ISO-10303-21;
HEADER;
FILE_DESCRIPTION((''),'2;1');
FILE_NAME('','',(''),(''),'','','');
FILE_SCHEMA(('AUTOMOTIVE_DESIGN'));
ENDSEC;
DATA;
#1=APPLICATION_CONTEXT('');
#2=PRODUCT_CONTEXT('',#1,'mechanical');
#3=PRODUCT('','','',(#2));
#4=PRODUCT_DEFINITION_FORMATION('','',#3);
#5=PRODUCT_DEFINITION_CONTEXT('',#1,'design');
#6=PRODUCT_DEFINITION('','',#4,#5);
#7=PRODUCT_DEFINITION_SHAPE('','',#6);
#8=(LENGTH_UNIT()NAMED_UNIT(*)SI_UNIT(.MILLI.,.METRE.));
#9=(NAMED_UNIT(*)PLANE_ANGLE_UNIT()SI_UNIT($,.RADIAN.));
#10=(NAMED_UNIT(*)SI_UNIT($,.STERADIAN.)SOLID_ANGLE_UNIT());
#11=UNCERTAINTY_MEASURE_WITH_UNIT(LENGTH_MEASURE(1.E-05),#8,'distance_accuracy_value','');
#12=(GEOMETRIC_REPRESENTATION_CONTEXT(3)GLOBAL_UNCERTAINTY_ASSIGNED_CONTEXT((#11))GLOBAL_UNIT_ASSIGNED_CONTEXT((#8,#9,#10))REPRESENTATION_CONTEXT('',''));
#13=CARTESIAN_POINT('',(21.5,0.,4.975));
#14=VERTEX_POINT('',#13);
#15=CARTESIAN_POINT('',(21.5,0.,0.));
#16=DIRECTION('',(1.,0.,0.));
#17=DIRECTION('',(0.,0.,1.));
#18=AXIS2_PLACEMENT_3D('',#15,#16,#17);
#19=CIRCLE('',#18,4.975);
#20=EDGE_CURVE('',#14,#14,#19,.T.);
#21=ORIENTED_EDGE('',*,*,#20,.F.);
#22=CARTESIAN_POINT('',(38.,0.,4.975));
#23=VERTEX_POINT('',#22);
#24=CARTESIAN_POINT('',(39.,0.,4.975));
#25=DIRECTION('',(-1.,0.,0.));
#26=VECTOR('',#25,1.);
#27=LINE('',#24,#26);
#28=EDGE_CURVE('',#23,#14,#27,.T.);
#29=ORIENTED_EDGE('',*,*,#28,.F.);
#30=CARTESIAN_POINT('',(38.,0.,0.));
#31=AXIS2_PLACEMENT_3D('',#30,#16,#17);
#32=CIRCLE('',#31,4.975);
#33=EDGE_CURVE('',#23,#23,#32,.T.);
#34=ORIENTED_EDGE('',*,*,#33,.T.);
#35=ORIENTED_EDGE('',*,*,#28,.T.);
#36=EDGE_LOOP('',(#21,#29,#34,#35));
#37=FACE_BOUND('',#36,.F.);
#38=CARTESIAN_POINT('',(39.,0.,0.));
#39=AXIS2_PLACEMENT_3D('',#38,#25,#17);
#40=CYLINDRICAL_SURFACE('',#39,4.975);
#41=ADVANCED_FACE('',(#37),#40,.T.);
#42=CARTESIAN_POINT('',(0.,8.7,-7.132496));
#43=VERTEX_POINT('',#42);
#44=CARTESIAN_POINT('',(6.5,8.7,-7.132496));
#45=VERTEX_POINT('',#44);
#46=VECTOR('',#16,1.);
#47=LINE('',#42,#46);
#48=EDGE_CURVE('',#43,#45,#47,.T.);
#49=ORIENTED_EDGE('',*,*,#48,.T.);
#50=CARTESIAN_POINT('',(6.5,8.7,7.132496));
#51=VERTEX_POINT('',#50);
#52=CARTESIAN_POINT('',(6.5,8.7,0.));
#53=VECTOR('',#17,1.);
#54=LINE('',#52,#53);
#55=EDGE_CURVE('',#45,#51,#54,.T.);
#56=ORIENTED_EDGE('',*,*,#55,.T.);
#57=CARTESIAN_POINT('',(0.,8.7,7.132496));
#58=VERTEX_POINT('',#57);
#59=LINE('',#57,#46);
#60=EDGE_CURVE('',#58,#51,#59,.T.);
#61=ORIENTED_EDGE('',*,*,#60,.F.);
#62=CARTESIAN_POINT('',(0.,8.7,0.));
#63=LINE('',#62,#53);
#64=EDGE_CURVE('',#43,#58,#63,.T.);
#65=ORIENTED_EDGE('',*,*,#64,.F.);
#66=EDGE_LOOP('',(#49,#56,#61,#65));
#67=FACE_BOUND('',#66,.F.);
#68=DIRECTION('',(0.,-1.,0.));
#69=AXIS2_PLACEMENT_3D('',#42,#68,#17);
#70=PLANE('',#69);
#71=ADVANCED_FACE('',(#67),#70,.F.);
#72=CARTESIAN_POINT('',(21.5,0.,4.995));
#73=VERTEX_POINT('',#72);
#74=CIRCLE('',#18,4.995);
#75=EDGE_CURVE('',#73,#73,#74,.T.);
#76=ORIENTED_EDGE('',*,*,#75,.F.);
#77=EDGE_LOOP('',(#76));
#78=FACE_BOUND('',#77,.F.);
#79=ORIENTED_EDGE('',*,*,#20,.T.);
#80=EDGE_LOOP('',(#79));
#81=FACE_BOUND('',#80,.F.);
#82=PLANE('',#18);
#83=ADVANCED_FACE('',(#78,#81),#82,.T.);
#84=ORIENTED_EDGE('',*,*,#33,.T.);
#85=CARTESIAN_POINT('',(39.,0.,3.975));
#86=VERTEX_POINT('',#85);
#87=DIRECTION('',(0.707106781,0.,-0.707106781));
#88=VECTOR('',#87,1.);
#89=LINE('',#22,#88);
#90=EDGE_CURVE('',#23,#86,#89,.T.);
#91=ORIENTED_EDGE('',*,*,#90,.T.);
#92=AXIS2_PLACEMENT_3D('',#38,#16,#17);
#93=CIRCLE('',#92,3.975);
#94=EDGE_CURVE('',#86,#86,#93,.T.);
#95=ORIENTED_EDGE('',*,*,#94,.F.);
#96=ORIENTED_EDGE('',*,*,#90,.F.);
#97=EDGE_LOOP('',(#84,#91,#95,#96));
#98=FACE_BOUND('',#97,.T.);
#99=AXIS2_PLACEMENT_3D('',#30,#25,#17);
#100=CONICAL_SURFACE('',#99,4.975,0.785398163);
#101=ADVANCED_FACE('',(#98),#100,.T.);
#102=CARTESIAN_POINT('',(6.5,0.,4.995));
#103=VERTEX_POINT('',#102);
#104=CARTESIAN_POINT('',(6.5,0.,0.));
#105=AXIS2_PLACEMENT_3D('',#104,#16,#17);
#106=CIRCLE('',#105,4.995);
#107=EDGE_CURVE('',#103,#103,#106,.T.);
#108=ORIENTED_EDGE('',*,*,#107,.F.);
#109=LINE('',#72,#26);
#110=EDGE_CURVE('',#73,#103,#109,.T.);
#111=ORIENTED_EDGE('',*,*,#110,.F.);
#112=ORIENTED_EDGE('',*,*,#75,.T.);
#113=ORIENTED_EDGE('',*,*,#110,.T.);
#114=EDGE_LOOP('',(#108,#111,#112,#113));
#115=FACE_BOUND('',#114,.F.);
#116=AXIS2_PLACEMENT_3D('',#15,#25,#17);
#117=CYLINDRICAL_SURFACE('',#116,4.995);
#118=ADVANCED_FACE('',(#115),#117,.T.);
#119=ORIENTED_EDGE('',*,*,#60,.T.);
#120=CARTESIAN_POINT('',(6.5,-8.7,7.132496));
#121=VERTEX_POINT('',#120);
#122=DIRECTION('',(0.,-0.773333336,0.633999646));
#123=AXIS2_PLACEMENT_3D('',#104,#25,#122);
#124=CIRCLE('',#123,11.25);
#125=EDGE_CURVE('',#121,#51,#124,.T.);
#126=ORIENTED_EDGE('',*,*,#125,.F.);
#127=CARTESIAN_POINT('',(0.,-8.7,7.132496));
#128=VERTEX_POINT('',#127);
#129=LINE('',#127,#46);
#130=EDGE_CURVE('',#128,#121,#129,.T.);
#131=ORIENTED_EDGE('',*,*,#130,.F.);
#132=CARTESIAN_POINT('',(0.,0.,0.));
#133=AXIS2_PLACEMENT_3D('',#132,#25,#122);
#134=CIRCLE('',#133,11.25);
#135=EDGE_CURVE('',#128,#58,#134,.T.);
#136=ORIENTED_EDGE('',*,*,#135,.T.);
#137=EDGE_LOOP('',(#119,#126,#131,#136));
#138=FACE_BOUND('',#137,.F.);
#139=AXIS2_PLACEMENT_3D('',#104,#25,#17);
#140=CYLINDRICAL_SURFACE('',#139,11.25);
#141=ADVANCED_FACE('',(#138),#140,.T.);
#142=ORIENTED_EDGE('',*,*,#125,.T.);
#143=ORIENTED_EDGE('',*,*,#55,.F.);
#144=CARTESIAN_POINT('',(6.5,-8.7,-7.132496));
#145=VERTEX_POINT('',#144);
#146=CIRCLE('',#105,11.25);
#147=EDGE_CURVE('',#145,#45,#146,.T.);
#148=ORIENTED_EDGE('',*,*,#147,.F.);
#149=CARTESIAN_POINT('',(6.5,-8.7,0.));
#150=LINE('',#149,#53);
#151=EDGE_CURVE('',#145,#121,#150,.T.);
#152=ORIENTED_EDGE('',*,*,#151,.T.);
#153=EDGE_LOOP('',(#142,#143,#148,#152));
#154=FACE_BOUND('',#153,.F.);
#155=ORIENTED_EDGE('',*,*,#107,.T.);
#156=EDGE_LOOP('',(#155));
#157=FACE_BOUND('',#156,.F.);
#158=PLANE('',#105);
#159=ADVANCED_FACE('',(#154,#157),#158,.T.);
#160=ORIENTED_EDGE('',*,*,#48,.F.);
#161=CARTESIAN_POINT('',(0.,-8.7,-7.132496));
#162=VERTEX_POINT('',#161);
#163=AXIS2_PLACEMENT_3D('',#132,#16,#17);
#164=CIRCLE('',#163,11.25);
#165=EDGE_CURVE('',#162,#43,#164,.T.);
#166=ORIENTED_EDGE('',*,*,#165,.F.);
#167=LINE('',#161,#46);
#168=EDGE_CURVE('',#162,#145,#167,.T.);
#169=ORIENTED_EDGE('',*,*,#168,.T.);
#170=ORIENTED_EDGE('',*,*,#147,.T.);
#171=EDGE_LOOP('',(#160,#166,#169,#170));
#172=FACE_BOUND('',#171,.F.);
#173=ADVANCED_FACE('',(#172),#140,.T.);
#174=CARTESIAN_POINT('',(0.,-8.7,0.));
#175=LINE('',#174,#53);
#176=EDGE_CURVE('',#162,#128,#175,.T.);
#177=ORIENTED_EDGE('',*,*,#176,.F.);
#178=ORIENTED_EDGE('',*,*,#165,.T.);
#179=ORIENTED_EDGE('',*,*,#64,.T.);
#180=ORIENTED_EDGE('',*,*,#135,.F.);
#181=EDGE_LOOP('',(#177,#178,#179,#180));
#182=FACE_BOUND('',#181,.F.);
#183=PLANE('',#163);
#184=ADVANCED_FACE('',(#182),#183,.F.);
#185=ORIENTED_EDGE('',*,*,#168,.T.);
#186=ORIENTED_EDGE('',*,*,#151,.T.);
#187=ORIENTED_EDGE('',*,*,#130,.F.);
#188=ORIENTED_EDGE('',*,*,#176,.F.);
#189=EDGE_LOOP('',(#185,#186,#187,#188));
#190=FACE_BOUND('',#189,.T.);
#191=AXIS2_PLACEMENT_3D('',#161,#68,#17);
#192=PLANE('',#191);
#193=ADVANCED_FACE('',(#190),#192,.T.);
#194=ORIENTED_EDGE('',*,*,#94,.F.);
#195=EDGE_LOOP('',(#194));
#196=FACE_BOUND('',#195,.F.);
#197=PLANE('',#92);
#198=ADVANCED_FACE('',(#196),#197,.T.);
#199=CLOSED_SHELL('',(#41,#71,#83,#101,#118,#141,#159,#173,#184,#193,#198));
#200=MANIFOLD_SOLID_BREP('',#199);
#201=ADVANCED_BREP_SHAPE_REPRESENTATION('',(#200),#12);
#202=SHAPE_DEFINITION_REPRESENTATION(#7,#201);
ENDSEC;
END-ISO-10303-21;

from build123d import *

# Parameters (mm, degrees)
F2_W     = 2.55
F2_H     = 14.264992
F3_DEPTH = 6.5
F4_SIZE  = 1


with BuildPart() as f1:
    # F0 (on Front) → F1 (revolve)
    with BuildSketch(Plane.XZ):
        Polygon((0, 11.25), (0, 0), (39, 0), (39, 4.975), (21.5, 4.975), (21.5, 4.995), (6.5, 4.995), (6.5, 11.25), align=None)
    revolve(axis=Axis((19.5, 0, 0), (1, 0, 0)))

    # F2 (on face) → F3 (cut, through all)
    with BuildSketch(Plane(origin=(0, 0, 0), x_dir=(0, -1, 0), z_dir=(-1, 0, 0))):
        with Locations((-9.975, 0)):
            Rectangle(F2_W, F2_H)
        with Locations((9.975, 0)):
            Rectangle(F2_W, F2_H)
    extrude(amount=-F3_DEPTH, mode=Mode.SUBTRACT)

    # F4
    f4_edges = [f1.edges().sort_by_distance(p)[0] for p in [
        (39, 0, -4.975),
    ]]
    chamfer(f4_edges, length=F4_SIZE)


solid = f1.part
